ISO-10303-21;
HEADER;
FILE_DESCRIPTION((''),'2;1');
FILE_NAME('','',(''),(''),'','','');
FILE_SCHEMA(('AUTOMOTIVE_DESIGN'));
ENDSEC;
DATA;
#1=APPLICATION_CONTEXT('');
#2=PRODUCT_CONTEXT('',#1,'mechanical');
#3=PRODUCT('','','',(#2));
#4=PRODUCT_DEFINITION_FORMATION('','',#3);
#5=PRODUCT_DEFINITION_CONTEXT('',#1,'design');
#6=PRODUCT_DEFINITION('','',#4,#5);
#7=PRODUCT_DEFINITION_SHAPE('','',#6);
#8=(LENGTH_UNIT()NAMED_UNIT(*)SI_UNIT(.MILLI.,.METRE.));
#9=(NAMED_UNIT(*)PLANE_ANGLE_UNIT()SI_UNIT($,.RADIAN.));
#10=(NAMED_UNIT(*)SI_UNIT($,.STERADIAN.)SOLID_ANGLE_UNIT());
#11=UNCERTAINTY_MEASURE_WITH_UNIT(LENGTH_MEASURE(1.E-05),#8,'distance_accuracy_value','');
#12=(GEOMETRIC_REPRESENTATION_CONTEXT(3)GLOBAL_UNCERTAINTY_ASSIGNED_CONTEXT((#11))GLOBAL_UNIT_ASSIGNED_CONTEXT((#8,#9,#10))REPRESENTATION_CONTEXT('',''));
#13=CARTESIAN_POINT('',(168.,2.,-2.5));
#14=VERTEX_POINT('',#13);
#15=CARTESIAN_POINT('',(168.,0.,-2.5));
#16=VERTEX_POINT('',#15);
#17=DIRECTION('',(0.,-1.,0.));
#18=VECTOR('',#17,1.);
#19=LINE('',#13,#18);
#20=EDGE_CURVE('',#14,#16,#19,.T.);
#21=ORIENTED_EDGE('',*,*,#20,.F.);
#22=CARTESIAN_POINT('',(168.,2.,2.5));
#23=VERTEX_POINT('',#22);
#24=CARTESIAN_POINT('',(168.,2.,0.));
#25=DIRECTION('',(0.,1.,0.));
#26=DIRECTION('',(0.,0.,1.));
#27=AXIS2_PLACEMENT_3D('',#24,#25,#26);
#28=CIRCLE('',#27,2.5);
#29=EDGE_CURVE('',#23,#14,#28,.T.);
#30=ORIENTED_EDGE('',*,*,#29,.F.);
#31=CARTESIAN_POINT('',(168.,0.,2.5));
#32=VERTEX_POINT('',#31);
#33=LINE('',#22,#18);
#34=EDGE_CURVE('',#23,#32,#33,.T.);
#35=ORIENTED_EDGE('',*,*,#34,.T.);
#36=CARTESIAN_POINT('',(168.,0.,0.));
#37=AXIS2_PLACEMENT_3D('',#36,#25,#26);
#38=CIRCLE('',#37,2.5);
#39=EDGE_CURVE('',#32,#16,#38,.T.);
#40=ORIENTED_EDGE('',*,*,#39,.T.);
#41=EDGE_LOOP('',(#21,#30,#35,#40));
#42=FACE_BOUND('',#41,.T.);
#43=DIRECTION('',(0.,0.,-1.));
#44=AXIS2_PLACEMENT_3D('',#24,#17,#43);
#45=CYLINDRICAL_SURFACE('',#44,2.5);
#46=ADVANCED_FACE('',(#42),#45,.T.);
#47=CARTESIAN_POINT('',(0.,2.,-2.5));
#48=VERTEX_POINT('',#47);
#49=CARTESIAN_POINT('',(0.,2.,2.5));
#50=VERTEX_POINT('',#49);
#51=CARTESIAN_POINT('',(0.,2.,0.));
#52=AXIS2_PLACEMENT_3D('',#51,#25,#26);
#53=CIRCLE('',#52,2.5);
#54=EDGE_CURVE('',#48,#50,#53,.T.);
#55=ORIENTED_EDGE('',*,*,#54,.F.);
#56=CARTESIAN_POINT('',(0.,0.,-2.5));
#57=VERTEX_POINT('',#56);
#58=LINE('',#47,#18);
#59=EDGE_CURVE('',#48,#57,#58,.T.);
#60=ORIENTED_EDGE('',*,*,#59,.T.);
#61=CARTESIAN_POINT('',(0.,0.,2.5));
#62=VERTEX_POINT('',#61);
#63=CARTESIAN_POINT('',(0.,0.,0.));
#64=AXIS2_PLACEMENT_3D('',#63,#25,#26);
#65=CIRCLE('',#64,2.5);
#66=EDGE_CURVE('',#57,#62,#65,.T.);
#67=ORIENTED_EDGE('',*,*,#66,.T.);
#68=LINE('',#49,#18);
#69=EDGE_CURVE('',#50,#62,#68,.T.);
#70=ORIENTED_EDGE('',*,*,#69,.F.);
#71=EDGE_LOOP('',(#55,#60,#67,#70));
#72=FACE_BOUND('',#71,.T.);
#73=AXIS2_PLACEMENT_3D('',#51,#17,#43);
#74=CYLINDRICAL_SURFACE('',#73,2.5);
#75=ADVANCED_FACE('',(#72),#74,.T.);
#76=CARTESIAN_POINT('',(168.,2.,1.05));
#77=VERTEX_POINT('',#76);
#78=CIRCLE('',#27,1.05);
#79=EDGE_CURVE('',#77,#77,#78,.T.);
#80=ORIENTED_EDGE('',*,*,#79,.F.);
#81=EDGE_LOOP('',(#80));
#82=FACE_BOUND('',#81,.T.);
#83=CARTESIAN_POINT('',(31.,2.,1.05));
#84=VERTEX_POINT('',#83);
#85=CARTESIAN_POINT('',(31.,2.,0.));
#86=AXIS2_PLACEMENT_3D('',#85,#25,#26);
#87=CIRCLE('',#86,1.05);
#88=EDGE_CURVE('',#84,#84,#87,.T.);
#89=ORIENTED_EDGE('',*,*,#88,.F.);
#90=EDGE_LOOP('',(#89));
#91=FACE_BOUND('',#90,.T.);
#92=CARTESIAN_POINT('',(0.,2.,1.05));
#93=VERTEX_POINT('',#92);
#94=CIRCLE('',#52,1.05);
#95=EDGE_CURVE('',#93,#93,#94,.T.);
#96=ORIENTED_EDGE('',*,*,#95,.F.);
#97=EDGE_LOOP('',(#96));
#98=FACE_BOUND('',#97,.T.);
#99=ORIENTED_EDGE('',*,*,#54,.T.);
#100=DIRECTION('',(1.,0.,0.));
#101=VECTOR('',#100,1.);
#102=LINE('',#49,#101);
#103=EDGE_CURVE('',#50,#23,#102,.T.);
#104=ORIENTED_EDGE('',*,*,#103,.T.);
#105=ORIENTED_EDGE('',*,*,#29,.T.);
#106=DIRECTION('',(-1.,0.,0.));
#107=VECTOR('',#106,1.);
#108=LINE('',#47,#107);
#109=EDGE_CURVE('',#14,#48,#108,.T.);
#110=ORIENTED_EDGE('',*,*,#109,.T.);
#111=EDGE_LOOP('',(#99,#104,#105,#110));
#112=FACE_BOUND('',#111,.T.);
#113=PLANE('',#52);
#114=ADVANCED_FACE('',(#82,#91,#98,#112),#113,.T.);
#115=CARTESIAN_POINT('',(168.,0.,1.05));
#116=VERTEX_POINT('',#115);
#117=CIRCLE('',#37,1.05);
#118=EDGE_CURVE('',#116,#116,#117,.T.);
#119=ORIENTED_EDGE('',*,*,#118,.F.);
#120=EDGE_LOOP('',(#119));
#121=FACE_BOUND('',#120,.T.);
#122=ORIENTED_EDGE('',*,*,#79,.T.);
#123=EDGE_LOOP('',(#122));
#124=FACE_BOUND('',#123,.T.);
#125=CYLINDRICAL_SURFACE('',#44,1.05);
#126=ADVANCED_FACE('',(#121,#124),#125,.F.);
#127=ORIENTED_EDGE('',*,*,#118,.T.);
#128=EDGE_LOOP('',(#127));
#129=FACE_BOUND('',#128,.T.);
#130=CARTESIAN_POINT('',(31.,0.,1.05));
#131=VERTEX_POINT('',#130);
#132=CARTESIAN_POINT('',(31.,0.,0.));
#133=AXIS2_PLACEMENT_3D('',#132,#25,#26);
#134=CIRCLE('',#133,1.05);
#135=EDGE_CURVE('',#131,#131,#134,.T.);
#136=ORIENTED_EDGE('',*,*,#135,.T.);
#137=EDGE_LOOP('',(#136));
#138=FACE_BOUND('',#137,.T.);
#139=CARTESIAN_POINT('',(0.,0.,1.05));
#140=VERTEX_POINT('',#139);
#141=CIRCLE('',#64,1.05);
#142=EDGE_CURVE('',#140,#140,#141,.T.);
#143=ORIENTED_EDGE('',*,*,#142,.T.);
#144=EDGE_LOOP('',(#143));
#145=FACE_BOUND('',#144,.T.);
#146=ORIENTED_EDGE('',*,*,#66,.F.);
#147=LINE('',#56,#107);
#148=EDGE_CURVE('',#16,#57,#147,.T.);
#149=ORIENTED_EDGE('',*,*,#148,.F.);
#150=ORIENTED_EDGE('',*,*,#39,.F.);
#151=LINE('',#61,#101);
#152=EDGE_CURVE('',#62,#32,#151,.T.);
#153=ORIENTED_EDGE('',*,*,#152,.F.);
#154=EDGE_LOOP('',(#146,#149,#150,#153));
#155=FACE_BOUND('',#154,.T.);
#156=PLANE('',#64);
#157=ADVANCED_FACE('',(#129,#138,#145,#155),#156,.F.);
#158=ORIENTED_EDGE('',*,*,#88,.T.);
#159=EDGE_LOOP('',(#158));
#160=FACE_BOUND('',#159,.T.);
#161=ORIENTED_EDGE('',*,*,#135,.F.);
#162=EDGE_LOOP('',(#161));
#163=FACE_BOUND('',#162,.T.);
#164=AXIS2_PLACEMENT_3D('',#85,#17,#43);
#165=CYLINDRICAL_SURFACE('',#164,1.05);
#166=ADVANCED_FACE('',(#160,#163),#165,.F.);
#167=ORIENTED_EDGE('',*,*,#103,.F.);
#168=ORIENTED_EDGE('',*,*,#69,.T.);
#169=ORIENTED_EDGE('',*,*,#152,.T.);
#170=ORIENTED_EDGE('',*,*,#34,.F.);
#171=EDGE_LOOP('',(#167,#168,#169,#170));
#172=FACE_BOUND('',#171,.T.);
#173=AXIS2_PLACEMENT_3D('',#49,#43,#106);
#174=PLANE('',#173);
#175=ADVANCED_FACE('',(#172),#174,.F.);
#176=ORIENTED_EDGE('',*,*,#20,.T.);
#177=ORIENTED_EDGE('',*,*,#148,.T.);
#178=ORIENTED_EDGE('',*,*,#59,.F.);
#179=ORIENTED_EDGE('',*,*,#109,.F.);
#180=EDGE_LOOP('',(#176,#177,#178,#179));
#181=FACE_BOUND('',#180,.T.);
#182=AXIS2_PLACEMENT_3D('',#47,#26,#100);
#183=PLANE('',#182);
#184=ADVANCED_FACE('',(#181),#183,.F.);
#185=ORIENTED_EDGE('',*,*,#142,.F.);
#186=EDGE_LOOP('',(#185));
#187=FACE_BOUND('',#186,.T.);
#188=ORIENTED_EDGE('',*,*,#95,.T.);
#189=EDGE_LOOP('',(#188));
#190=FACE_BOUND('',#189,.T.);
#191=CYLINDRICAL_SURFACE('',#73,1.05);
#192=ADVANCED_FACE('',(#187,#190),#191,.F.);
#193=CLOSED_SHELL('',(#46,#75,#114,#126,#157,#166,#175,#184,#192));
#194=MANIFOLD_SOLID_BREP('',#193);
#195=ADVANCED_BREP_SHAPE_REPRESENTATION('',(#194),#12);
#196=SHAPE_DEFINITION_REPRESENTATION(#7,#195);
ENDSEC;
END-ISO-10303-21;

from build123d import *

# Parameters (mm, degrees)
SKETCH1_R           = 1.05
BOSS_EXTRUDE1_DEPTH = 2


with BuildPart() as part:
    # Sketch1 → Boss-Extrude1 (new body)
    with BuildSketch(Plane(origin=(0, 0, 0), x_dir=(1, 0, 0), z_dir=(0, 1, 0))):
        with BuildLine():
            Line((0, 2.5), (168, 2.5))
            ThreePointArc((168, 2.5), (170.5, 0), (168, -2.5))
            Line((168, -2.5), (0, -2.5))
            ThreePointArc((0, -2.5), (-2.5, 0), (0, 2.5))
        make_face()
        with Locations(Location((0, 0, 0), (0, 0, 270))):
            Circle(SKETCH1_R, mode=Mode.SUBTRACT)
        with Locations(Location((168, 0, 0), (0, 0, 270))):
            Circle(SKETCH1_R, mode=Mode.SUBTRACT)
        with Locations(Location((31, 0, 0), (0, 0, 270))):
            Circle(SKETCH1_R, mode=Mode.SUBTRACT)
    extrude(amount=BOSS_EXTRUDE1_DEPTH)


solid = part.part
